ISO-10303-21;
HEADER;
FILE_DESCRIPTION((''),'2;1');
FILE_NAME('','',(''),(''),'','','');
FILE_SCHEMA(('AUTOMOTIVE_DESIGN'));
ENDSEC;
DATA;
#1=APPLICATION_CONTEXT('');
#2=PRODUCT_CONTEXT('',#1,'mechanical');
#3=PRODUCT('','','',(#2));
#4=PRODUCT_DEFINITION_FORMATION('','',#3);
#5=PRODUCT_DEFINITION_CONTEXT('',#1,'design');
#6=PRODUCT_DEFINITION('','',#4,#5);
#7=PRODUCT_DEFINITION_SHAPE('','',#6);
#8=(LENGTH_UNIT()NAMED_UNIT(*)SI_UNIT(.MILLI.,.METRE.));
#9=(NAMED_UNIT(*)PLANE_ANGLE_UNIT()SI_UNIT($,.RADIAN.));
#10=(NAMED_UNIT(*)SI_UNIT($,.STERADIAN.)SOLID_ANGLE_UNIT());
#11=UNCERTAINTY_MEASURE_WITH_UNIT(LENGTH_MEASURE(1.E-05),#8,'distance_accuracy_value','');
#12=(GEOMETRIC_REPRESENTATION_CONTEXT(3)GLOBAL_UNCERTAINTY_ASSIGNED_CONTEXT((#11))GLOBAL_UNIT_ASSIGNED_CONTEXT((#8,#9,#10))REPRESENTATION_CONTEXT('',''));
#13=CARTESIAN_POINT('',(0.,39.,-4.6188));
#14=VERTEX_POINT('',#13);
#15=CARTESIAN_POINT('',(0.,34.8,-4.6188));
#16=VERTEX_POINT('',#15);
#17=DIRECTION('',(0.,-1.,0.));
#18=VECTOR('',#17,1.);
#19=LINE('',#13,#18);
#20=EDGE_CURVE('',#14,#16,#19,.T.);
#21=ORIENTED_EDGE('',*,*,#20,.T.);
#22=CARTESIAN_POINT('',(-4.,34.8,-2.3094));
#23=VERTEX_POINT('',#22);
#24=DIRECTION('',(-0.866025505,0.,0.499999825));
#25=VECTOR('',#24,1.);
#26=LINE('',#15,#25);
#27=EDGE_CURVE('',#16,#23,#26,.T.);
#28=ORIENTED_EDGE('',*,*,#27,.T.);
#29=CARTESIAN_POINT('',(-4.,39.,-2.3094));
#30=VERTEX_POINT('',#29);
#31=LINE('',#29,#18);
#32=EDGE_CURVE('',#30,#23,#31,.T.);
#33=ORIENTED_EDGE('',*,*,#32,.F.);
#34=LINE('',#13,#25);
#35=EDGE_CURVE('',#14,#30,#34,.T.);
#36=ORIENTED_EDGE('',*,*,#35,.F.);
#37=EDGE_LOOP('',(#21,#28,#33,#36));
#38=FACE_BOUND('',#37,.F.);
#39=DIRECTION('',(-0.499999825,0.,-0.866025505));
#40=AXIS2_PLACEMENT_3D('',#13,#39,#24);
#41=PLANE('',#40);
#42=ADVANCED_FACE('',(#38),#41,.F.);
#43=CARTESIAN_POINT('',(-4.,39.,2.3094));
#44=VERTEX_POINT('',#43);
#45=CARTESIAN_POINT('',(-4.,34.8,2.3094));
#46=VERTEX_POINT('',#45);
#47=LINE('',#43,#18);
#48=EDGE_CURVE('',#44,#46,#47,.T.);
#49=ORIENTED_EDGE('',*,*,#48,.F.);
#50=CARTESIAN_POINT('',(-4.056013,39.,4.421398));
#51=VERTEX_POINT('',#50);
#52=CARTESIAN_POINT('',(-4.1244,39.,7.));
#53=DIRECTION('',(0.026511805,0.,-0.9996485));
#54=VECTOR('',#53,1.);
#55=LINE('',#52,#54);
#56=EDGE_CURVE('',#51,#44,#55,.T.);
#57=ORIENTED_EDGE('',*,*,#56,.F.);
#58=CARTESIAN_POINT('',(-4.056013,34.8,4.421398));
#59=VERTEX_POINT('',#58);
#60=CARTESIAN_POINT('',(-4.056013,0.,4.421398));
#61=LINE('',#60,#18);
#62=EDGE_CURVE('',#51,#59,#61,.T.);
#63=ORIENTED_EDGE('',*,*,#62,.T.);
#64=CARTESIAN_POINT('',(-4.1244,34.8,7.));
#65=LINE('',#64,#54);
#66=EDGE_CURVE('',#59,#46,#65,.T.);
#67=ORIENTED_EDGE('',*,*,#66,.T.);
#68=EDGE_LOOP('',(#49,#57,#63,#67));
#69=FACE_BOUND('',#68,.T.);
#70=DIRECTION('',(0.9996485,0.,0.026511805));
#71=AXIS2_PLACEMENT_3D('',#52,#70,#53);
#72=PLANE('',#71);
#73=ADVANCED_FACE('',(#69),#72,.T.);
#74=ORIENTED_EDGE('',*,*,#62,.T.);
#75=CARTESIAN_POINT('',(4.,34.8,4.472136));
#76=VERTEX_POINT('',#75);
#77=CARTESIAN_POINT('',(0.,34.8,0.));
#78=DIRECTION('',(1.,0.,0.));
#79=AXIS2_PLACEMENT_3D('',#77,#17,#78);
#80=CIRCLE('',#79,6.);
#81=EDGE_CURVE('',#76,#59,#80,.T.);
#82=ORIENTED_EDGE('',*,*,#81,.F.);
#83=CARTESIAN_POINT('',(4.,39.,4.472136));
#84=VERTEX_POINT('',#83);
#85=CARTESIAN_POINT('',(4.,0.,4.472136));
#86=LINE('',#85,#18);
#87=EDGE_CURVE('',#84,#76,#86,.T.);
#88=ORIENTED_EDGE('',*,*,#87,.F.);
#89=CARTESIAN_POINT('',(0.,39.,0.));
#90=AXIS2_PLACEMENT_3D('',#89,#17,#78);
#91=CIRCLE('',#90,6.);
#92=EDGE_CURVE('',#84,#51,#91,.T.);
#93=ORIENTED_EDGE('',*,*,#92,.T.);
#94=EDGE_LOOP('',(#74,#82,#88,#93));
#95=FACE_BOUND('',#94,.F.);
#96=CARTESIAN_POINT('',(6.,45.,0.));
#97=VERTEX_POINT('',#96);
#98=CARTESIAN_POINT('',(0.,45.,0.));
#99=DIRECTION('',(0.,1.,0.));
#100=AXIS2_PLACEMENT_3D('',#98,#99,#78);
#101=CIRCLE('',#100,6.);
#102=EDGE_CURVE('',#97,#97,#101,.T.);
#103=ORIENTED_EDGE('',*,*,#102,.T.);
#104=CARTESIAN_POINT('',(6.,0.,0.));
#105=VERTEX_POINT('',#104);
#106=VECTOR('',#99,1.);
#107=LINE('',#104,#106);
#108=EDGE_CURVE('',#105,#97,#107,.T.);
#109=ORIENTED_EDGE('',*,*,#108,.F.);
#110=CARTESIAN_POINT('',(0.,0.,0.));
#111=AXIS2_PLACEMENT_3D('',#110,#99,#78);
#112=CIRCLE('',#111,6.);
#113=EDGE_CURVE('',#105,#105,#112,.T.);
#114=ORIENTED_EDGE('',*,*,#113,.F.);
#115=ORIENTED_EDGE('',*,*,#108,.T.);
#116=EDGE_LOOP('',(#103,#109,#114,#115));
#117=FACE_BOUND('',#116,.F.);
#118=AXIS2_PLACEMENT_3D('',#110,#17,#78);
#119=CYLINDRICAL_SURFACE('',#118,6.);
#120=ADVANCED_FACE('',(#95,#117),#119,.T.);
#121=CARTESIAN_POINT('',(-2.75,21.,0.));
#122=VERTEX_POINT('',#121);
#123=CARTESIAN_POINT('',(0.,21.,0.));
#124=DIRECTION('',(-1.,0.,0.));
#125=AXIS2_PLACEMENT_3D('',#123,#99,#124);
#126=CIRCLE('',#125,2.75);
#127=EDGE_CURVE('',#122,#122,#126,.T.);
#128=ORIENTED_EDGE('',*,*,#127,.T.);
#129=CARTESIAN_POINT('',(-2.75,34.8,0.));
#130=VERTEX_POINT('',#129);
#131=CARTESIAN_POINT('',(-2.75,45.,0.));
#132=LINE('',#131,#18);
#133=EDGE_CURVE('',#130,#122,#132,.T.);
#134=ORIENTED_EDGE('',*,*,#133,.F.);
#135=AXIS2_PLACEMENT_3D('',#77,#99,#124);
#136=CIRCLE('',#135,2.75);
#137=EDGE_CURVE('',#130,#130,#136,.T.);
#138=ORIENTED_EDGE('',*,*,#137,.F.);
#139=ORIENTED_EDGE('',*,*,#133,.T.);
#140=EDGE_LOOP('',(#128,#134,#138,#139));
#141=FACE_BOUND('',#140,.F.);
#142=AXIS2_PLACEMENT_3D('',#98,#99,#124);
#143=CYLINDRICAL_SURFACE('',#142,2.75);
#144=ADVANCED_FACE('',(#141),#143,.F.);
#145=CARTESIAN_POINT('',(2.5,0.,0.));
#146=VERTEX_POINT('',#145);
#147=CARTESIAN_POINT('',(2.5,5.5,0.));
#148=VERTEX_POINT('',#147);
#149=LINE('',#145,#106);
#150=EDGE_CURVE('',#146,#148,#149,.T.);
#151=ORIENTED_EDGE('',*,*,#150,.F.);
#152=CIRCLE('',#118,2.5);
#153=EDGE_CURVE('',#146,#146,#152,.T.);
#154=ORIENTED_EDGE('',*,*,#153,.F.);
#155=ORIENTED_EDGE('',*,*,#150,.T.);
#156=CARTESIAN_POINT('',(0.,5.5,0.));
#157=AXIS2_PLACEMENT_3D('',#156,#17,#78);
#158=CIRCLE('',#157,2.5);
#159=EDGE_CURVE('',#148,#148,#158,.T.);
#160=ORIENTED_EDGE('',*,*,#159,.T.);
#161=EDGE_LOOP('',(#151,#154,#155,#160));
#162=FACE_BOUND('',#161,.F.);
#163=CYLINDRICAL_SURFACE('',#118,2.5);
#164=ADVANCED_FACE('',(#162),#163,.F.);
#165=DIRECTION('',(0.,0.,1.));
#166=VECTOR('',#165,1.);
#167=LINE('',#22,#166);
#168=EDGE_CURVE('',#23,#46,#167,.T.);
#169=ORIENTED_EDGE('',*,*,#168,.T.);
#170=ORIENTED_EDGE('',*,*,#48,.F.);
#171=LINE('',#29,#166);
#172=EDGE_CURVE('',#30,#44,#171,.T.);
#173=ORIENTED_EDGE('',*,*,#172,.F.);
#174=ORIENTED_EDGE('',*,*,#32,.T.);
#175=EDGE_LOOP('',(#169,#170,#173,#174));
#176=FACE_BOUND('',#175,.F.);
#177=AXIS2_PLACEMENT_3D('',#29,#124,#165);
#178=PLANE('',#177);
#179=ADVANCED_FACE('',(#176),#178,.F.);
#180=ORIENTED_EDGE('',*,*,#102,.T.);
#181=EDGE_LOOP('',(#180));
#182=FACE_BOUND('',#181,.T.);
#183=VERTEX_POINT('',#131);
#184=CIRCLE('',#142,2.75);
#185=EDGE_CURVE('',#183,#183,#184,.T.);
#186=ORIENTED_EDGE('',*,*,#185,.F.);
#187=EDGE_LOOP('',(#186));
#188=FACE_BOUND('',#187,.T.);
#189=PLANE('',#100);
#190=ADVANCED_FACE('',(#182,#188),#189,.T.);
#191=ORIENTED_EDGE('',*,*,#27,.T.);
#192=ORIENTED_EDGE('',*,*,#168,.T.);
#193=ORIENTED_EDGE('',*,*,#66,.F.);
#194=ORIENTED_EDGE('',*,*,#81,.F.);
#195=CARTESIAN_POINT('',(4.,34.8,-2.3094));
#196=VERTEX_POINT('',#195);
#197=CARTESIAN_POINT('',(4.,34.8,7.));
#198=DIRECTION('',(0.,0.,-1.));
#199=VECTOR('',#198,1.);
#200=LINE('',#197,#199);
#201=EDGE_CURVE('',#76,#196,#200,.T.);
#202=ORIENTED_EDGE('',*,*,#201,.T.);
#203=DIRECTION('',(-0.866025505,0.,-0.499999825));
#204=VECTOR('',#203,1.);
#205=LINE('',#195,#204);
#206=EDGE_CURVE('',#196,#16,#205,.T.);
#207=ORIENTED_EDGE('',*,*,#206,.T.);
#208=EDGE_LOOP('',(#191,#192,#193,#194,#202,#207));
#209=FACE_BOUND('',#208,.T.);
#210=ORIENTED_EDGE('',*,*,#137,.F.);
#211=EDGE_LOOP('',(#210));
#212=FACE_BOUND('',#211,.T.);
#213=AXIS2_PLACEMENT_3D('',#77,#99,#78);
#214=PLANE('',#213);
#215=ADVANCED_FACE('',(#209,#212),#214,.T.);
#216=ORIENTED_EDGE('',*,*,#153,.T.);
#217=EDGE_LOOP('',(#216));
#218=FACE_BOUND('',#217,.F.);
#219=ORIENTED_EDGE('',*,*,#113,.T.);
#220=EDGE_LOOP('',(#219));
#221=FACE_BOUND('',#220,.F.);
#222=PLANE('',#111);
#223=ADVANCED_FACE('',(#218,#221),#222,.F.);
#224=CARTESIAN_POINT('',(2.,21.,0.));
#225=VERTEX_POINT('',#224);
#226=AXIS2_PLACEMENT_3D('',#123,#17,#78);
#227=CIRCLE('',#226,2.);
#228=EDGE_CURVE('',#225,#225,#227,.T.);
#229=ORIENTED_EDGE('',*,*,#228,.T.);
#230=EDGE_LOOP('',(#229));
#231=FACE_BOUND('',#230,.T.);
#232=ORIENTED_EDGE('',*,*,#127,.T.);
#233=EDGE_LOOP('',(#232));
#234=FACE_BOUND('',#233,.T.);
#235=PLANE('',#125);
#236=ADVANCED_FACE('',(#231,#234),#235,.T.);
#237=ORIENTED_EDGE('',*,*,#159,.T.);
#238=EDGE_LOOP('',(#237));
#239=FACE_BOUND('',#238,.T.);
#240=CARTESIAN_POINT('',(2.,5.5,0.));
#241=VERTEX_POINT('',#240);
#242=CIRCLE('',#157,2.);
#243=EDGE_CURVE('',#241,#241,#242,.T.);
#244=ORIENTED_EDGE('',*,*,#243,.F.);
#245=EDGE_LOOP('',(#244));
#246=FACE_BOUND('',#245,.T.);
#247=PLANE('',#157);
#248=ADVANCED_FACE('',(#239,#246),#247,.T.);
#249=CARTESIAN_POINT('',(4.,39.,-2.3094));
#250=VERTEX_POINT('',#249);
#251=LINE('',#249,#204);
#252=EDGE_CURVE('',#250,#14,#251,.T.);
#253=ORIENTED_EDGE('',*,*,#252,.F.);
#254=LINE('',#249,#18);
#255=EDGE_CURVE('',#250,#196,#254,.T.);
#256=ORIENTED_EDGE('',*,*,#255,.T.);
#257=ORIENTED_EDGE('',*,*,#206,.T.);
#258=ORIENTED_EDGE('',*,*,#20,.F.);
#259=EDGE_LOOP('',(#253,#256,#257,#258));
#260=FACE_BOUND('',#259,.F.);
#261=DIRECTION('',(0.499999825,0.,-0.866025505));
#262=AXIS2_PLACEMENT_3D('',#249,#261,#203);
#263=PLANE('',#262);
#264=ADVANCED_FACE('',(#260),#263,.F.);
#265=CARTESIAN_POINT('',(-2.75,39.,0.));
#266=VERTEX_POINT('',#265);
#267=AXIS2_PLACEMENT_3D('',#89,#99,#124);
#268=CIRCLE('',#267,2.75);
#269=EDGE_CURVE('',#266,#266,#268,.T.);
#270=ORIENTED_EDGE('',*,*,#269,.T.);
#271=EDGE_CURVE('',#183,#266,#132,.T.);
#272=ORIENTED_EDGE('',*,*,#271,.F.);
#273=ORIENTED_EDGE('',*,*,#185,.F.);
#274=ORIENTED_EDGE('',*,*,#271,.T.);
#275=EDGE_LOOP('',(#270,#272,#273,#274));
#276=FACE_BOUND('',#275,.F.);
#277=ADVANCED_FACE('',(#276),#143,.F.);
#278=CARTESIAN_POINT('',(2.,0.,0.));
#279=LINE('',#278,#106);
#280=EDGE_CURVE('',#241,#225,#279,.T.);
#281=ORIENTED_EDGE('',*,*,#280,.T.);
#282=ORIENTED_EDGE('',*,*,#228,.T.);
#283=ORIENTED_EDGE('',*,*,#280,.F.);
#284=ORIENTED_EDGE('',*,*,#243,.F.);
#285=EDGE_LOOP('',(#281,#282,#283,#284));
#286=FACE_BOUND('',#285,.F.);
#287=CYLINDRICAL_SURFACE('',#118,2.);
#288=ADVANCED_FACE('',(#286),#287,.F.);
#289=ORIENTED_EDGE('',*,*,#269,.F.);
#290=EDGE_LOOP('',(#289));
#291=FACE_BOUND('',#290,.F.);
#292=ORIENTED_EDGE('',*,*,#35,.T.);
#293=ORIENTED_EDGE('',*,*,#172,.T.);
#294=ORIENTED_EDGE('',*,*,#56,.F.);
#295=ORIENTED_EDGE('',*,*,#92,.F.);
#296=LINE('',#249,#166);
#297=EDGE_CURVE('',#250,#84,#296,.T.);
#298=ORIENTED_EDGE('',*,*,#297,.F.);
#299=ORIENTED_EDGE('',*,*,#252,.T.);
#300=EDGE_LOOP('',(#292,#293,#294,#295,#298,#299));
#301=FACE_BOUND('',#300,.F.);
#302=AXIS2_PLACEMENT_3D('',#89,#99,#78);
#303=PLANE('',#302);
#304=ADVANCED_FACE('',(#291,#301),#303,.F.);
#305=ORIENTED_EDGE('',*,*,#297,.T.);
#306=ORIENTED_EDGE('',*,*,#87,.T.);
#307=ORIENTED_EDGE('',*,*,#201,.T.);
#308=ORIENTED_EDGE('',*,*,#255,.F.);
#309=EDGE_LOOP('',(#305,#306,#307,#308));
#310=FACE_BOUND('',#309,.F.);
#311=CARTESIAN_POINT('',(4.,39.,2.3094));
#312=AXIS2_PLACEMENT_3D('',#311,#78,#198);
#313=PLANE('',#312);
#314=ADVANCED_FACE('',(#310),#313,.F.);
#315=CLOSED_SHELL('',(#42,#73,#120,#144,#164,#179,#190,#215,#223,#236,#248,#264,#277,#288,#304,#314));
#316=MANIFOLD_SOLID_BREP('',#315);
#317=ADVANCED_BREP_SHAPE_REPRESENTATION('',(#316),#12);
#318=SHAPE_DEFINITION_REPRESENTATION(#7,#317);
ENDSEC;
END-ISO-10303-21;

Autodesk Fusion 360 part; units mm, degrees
sketch "Sketch1" plane through (0, 0, 0) normal (0, 1, 0) x (1, 0, 0)
  circle A0 centre (0, 0) radius 6
  dimension "d1" = 12
extrude "Extrude1" add sketch "Sketch1" along normal blind 45
sketch "Sketch2" plane through (0, 0, 0) normal (0, -1, 0) x (1, 0, 0)
  circle A0 centre (0, 0) radius 6
  circle A1 centre (0, 0) radius 1.6031
  circle A2 centre (0, 0) radius 2.5
  circle A3 centre (0, 0) radius 2
  dimension "d4" = 5
  dimension "d5" = 4
extrude "Extrude2" cut sketch "Sketch2" against normal blind 5.5 contours A2
extrude "Extrude3" cut 1 faces at (1.1392, 0, 0.5006) along direction (0, 1, 0) blind 71
sketch "Sketch3" plane through (0, 45, 0) normal (0, 1, 0) x (-1, 0, 0)
  circle A0 centre (0, 0) radius 2
  circle A1 centre (0, 0) radius 6
  circle A2 centre (0, 0) radius 2.75
  dimension "d10" = 5.5
extrude "Extrude4" cut sketch "Sketch3" against normal blind 24 contours A2
ref_plane "WorkPlane1" through (0, 39, 0) normal (0, 1, 0) x (1, 0, 0)
sketch "Sketch4" plane through (0, 39, 0) normal (0, 1, 0) x (1, 0, 0)
  line L0 (4, 2.3094) -> (0, 4.6188)
  line L1 (0, 4.6188) -> (-4, 2.3094)
  line L2 (-4, 2.3094) -> (-4, -2.3094)
  line L3 (-4, -2.3094) -> (0, -4.6188)
  line L4 (0, -4.6188) -> (4, -2.3094)
  line L5 (4, -2.3094) -> (4, 2.3094)
  line L6 (4, -2.3094) -> (4, -7)
  line L7 (4, -7) -> (-4.1244, -7)
  line L8 (-4.1244, -7) -> (-4, -2.3094)
  dimension "d14" = 4
extrude "Extrude5" cut sketch "Sketch4" against normal blind 4.2
